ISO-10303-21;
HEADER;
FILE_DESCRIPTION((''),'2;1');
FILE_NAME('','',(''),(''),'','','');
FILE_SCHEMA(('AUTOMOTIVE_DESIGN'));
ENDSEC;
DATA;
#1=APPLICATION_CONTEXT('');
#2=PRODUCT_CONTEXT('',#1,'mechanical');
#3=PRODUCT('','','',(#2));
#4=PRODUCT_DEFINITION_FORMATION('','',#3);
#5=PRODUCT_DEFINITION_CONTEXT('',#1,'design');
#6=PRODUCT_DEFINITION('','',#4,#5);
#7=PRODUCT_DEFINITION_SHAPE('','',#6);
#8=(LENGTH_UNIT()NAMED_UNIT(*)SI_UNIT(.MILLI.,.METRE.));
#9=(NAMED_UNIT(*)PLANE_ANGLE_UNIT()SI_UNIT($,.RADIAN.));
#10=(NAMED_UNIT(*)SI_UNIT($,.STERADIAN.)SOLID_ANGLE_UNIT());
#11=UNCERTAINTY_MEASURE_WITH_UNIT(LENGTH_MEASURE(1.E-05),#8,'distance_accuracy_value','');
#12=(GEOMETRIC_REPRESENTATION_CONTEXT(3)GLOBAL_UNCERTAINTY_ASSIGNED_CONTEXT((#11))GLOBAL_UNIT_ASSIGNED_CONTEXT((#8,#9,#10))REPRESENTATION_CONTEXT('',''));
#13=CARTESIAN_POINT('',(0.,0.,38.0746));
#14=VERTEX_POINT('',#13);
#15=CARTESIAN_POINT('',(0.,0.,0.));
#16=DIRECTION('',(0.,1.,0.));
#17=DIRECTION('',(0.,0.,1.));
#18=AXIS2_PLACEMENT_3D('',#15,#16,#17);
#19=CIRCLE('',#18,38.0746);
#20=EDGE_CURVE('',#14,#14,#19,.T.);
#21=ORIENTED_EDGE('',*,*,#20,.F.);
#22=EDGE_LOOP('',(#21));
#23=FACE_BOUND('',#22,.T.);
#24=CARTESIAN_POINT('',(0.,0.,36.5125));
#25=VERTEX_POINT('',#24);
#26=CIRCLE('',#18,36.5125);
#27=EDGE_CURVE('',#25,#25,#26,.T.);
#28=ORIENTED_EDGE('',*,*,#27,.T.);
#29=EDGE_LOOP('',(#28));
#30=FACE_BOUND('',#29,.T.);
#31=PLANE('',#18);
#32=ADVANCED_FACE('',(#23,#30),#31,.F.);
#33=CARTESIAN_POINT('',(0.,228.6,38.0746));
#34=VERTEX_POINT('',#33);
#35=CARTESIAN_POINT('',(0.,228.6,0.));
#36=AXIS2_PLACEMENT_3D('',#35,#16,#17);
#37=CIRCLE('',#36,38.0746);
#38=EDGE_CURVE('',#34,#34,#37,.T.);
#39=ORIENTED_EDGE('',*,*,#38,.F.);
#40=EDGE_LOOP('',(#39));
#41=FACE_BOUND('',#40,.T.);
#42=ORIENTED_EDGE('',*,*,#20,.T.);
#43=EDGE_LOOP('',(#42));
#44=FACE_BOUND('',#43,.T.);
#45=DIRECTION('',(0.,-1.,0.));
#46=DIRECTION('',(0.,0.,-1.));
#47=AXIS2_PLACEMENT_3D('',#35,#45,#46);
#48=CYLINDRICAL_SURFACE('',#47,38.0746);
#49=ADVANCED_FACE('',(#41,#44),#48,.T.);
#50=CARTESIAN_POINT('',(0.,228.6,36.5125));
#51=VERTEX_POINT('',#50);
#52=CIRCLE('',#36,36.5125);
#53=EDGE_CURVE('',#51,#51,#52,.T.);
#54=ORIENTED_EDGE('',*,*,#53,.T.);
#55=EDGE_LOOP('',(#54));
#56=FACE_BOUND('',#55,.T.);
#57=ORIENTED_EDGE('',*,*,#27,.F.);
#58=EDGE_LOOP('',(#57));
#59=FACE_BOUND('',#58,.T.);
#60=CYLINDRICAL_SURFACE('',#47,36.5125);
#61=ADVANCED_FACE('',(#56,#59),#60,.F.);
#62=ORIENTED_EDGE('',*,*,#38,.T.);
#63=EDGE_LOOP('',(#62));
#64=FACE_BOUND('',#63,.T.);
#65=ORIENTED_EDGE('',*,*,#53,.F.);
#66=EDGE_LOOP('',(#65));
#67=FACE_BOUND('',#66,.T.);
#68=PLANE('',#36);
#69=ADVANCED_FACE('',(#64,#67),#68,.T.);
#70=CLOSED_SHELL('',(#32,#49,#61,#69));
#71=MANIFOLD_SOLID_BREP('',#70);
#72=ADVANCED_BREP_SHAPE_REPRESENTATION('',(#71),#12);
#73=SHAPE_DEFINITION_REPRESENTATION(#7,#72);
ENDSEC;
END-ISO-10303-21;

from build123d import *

# Parameters (mm, degrees)
SKETCH1_R           = 38.0746
SKETCH1_R_2         = 36.5125
BOSS_EXTRUDE1_DEPTH = 228.6


with BuildPart() as part:
    # Sketch1 → Boss-Extrude1 (new body)
    with BuildSketch(Plane(origin=(0, 0, 0), x_dir=(1, 0, 0), z_dir=(0, 1, 0))):
        Circle(SKETCH1_R)
        Circle(SKETCH1_R_2, mode=Mode.SUBTRACT)
    extrude(amount=BOSS_EXTRUDE1_DEPTH)


solid = part.part
